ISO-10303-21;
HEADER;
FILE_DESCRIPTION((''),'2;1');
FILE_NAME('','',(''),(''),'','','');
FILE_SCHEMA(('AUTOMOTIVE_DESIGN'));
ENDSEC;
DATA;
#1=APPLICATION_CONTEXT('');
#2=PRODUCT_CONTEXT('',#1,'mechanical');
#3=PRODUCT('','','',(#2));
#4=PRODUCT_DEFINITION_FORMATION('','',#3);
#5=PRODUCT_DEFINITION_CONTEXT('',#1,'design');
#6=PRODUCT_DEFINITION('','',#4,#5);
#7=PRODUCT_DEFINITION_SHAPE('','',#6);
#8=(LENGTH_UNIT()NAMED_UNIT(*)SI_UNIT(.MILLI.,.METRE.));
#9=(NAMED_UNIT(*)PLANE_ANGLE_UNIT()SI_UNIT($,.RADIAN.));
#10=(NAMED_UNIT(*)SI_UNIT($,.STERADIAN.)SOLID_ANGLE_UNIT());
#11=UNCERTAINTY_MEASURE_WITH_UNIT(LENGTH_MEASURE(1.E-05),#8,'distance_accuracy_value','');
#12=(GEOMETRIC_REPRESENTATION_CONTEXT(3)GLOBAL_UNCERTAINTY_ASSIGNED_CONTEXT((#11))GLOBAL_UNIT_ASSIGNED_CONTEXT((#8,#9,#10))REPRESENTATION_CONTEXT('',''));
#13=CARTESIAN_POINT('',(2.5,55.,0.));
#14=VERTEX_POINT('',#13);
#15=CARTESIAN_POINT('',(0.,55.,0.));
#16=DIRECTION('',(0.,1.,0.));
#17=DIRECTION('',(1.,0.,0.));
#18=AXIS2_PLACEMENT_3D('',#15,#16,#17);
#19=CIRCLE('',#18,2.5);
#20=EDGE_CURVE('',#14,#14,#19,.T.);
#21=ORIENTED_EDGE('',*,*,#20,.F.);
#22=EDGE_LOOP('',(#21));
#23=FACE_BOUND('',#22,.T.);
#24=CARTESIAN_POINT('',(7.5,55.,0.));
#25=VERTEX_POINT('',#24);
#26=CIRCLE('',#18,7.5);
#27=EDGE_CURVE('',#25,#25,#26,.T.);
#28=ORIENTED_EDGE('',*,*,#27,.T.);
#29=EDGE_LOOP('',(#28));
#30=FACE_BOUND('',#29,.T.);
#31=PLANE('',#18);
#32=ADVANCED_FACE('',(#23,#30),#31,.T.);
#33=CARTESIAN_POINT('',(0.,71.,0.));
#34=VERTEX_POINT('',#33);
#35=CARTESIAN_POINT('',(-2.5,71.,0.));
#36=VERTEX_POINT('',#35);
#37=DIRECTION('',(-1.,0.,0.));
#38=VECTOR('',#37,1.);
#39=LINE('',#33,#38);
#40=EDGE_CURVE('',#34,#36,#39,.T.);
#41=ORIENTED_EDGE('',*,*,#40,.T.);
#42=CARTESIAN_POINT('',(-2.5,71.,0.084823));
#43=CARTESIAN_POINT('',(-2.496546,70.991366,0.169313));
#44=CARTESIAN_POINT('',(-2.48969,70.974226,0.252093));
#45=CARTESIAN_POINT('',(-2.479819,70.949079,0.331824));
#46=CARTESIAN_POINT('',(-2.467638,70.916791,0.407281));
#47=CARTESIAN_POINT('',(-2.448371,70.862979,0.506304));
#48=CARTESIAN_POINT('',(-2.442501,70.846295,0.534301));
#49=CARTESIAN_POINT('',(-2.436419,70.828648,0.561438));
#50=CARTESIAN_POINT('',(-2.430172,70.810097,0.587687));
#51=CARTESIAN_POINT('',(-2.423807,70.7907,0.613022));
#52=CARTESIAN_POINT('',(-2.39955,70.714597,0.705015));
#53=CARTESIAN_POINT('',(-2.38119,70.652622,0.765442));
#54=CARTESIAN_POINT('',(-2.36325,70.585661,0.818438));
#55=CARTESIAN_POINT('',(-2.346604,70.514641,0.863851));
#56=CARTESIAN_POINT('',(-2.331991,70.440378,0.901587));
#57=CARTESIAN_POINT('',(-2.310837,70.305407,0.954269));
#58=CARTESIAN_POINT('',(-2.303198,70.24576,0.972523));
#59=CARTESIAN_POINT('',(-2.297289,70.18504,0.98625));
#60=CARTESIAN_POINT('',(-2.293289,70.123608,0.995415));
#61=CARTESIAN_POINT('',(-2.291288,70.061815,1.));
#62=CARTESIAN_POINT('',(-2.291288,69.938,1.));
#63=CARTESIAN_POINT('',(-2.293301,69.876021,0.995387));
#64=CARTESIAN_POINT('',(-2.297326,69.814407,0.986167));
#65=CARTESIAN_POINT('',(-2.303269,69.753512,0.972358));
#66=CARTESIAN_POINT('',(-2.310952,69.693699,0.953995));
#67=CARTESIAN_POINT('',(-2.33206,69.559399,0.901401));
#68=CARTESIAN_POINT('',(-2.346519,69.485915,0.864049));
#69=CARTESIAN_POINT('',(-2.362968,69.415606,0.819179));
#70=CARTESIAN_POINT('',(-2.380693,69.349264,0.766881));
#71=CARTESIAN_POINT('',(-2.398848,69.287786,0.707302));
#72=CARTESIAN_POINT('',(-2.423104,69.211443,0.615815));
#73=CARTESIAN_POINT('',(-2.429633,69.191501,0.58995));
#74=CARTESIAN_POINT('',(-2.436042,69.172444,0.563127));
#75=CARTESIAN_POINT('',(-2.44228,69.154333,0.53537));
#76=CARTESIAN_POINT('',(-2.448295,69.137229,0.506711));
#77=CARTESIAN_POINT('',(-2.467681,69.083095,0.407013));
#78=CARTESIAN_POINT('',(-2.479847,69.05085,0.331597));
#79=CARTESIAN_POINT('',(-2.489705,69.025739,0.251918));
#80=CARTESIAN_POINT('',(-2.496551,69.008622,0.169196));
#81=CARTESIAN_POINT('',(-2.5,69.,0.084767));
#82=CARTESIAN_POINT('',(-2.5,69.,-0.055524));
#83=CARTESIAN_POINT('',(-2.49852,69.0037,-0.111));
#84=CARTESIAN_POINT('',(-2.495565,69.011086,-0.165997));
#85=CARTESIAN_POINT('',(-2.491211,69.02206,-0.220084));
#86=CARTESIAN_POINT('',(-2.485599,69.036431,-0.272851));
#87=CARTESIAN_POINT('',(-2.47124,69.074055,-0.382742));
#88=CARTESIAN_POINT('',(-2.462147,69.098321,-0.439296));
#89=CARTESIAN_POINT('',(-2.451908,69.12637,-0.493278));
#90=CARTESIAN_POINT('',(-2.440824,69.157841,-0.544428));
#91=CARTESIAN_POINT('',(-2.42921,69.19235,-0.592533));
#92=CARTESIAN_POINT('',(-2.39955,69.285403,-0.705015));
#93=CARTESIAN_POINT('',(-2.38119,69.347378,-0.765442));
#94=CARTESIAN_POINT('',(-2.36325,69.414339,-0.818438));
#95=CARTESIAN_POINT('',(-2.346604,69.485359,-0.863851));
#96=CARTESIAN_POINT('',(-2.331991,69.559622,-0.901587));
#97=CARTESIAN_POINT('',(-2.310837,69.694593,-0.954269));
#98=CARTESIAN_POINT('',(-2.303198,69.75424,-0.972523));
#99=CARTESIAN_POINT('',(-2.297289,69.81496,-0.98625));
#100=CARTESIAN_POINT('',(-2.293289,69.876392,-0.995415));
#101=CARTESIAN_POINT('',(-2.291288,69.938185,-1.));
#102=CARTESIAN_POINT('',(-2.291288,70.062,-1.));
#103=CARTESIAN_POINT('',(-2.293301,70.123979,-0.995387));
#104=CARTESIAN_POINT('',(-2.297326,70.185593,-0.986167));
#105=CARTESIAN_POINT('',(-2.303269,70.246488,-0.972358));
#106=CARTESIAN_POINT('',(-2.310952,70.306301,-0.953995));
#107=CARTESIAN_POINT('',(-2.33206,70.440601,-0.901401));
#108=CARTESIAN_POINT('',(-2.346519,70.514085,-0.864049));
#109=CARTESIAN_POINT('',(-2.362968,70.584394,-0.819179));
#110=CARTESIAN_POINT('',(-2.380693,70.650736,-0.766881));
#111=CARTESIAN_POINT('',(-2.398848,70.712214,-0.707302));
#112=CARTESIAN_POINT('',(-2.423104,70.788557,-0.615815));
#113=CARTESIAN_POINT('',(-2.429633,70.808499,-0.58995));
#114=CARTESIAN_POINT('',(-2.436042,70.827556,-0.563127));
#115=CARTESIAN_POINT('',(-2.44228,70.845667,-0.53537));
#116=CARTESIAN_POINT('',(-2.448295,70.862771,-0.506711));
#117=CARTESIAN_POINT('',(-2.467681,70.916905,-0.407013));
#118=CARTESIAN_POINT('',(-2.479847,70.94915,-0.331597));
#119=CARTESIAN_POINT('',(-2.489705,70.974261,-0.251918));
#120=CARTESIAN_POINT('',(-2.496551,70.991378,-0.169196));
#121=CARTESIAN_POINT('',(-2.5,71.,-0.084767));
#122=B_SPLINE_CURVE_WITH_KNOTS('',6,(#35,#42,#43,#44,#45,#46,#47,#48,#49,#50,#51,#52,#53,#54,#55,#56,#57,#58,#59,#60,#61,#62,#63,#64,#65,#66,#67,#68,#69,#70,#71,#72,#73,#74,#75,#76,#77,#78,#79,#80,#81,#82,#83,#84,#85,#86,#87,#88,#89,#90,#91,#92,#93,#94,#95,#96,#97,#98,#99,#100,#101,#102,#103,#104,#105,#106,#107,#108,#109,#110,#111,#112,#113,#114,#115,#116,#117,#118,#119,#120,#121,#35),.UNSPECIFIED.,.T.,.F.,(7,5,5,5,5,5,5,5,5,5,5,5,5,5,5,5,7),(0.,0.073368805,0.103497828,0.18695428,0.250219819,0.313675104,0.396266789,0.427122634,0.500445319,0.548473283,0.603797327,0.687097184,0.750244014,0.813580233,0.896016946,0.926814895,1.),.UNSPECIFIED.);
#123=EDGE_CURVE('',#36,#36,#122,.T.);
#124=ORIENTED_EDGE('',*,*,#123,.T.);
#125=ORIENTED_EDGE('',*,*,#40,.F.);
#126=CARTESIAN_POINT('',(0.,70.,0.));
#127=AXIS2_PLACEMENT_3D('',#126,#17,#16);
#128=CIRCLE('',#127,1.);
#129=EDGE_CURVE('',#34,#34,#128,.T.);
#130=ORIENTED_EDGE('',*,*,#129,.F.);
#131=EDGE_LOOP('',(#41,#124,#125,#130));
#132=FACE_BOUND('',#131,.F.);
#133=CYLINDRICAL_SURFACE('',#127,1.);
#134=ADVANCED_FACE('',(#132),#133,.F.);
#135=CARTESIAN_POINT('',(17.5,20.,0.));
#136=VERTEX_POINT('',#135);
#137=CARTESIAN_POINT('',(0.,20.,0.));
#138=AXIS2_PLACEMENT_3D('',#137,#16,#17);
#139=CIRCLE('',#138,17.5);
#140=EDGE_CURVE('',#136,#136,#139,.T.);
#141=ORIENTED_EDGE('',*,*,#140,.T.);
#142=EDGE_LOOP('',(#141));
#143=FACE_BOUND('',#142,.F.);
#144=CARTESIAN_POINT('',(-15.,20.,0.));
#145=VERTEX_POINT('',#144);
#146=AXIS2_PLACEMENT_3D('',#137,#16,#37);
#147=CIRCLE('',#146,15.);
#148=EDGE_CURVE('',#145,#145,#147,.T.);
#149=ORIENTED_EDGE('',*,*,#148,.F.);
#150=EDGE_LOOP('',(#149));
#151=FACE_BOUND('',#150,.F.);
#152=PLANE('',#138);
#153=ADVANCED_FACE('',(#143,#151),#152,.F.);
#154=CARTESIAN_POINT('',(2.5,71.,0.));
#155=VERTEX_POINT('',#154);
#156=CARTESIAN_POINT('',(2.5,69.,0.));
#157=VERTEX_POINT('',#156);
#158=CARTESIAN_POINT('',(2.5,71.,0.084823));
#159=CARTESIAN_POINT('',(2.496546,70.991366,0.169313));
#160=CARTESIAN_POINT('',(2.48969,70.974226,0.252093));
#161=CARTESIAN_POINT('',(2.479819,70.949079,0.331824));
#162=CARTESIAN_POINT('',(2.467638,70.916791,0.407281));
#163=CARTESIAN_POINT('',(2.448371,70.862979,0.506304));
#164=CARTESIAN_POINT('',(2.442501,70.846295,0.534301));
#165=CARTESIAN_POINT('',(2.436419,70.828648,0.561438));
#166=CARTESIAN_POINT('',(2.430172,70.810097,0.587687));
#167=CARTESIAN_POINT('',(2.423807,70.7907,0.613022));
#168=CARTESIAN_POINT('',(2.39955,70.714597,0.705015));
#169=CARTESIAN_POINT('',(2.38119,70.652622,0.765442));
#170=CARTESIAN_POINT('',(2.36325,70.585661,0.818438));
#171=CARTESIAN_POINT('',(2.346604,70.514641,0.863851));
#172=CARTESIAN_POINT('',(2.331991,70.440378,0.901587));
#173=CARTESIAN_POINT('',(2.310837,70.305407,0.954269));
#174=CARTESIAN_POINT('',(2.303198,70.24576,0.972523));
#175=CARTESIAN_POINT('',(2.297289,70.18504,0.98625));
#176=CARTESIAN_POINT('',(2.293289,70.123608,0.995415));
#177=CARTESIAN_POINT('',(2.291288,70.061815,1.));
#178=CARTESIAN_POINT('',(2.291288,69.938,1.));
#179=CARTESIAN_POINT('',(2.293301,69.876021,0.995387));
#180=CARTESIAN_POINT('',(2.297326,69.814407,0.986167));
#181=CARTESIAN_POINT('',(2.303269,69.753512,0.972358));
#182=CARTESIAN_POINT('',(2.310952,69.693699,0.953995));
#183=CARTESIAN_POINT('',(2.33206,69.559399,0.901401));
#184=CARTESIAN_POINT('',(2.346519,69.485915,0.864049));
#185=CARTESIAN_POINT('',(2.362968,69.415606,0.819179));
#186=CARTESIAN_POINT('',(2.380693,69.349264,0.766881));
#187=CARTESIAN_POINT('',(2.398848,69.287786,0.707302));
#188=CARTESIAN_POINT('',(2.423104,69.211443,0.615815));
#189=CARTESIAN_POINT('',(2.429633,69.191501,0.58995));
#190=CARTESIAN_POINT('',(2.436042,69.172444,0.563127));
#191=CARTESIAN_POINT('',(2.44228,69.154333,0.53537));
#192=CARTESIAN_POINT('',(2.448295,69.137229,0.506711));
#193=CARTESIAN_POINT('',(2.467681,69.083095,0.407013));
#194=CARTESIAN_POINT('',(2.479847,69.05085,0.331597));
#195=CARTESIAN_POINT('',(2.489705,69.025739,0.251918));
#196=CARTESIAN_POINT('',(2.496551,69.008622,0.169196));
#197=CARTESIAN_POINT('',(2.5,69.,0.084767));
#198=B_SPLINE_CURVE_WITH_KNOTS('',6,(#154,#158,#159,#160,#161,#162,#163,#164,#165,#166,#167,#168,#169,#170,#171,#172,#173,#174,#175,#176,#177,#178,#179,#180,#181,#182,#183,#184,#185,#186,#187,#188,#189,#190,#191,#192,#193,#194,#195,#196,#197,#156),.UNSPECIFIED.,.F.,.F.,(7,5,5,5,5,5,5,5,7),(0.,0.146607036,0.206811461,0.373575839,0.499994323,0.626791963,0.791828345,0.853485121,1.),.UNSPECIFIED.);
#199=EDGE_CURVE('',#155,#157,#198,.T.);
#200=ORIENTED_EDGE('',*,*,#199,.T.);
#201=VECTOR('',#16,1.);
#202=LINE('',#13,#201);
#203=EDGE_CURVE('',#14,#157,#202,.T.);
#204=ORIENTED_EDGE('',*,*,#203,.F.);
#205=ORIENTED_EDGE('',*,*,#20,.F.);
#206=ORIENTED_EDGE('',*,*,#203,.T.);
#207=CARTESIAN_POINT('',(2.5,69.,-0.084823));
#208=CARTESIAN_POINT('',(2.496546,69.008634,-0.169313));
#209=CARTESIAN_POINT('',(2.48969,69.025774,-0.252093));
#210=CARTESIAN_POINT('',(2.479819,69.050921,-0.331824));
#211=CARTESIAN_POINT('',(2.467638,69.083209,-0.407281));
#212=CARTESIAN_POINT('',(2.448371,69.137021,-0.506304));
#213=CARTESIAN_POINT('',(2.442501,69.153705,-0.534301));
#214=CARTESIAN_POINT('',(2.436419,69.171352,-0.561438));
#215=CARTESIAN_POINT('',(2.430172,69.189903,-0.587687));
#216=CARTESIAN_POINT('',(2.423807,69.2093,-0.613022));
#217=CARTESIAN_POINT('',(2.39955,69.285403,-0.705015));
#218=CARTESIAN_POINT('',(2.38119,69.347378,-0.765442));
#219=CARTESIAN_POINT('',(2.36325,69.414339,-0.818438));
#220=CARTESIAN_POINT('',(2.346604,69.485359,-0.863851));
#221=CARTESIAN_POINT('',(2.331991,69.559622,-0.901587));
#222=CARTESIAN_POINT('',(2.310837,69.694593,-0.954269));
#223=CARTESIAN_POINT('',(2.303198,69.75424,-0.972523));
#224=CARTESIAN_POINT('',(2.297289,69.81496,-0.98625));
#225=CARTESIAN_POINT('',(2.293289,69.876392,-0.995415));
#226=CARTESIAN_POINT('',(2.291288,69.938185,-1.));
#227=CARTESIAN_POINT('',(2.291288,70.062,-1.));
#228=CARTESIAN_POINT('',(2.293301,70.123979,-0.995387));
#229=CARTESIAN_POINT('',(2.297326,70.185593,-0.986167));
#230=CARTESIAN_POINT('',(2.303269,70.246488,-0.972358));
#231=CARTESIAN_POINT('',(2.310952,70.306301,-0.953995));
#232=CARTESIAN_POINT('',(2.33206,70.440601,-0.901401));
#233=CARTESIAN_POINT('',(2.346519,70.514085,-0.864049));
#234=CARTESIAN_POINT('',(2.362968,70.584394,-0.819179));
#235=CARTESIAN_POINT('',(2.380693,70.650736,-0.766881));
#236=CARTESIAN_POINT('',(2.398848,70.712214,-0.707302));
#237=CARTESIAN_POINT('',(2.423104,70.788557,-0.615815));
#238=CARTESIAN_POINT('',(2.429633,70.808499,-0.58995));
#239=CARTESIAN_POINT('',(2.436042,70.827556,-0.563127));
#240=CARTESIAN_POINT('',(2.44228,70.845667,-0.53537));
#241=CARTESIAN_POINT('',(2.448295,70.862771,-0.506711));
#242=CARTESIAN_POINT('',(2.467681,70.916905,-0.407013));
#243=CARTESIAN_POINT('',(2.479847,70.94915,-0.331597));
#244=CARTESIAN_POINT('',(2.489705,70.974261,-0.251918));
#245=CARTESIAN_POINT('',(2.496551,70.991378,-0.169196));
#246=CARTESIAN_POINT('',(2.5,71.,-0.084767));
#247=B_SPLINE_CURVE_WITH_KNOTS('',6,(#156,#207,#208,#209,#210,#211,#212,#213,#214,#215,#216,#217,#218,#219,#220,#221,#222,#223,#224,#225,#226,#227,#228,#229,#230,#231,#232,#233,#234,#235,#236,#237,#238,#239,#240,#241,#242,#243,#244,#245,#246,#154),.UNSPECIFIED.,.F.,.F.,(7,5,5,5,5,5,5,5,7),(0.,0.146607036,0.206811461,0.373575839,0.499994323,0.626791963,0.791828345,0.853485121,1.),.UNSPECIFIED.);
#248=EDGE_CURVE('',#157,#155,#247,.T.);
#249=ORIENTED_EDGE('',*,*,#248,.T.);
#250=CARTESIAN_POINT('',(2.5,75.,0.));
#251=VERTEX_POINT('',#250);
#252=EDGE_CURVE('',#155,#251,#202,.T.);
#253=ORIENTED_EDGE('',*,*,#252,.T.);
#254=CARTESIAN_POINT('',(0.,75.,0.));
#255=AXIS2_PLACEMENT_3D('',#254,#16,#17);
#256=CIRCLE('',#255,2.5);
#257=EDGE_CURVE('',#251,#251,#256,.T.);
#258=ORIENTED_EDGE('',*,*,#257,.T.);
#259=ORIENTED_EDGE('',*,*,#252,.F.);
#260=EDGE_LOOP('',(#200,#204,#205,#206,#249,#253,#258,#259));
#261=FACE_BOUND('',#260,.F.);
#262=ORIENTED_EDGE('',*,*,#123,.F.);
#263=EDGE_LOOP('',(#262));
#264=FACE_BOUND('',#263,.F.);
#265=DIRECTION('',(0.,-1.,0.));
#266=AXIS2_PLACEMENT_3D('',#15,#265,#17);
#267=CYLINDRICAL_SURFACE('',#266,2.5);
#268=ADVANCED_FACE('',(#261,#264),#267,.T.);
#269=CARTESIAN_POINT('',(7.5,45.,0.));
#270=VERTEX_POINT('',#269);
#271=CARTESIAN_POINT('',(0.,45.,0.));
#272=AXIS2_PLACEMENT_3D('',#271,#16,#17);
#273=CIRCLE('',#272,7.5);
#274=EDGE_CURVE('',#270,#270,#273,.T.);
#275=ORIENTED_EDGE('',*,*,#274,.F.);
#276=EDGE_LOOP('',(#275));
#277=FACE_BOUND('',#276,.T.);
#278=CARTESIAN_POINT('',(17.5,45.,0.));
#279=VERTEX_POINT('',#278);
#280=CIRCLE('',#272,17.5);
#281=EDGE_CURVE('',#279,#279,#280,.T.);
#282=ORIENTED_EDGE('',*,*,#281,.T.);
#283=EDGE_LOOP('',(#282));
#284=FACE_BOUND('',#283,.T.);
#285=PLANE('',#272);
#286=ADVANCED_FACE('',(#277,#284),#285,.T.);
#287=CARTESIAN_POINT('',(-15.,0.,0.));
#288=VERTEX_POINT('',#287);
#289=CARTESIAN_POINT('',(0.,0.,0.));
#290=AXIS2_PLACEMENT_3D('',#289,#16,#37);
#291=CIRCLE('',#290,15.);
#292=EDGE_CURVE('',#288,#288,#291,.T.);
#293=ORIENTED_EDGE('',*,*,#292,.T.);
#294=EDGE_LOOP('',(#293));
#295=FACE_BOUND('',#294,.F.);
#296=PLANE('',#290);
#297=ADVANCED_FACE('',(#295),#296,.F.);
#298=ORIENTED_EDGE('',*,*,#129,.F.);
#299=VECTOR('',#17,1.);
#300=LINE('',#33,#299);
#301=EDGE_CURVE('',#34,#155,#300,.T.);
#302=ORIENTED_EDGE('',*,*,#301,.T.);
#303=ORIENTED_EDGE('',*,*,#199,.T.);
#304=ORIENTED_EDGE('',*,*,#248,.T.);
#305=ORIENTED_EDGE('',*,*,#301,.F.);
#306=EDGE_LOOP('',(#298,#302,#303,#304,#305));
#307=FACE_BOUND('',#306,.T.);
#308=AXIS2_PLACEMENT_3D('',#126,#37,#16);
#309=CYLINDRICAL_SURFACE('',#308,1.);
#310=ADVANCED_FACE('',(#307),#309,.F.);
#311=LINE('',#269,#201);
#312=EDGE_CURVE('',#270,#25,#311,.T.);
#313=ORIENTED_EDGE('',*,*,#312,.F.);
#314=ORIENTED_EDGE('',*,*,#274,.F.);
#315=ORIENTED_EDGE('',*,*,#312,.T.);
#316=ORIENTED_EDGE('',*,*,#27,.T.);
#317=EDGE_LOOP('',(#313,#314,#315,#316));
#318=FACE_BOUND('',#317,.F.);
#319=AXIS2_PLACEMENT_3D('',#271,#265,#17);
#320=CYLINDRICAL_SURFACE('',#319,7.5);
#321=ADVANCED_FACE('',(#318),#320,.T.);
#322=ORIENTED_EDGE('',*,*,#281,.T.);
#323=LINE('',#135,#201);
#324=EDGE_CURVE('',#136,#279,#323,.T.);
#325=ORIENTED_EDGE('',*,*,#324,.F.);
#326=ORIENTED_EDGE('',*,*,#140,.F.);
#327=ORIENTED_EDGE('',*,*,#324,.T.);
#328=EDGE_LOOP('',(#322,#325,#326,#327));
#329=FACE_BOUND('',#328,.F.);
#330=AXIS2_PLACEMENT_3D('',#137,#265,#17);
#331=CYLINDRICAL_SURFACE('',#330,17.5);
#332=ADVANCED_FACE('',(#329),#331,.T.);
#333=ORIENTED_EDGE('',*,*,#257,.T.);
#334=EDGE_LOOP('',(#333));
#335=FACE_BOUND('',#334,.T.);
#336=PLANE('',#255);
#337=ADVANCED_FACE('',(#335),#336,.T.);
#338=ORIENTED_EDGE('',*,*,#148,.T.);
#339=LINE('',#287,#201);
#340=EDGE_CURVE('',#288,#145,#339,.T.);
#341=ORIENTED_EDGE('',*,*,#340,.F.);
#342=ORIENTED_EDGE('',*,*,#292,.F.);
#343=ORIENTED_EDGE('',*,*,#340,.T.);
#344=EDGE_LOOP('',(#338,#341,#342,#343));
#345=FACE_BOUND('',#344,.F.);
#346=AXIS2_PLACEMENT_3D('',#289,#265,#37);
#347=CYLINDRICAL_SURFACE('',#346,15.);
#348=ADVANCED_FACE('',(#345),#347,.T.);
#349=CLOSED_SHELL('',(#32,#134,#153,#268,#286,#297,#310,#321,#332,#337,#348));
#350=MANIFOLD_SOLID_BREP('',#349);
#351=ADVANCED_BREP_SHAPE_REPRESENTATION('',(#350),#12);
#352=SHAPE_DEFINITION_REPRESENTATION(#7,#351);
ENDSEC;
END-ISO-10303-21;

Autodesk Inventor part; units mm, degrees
ref_plane "YZ Plane" through (0, 0, 0) normal (1, 0, 0) x (0, 1, 0)
ref_plane "XZ Plane" through (0, 0, 0) normal (0, 1, 0) x (-1, 0, 0)
ref_plane "XY Plane" through (0, 0, 0) normal (0, 0, 1) x (1, 0, 0)
sketch "Sketch1" plane through (0, 0, 0) normal (0, 1, 0) x (-1, 0, 0)
  circle A0 centre (0, 0) radius 15
  dimension "d0" = 30
extrude "Extrusion1" add sketch "Sketch1" along normal blind 20
sketch "Sketch2" plane through (0, 20, 0) normal (0, 1, 0) x (1, 0, 0)
  circle A0 centre (0, 0) radius 17.5
  dimension "d3" = 35
extrude "Extrusion2" add sketch "Sketch2" along normal blind 25
sketch "Sketch3" plane through (0, 45, 0) normal (0, 1, 0) x (1, 0, 0)
  circle A0 centre (0, 0) radius 7.5
  dimension "d6" = 15
extrude "Extrusion3" add sketch "Sketch3" along normal blind 10
sketch "Sketch4" plane through (0, 55, 0) normal (0, 1, 0) x (1, 0, 0)
  circle A0 centre (0, 0) radius 2.5
  dimension "d9" = 5
extrude "Extrusion4" add sketch "Sketch4" along normal blind 20
sketch "Sketch5" plane through (0, 0, 0) normal (1, 0, 0) x (0, 1, 0)
  circle A0 centre (70, 0) radius 1
  point P0 (0, 0)
  dimension "d12" = 2
extrude "Extrusion5" cut sketch "Sketch5" along normal mid plane 10
properties part number "trail 8" material "Iron, Malleable"
